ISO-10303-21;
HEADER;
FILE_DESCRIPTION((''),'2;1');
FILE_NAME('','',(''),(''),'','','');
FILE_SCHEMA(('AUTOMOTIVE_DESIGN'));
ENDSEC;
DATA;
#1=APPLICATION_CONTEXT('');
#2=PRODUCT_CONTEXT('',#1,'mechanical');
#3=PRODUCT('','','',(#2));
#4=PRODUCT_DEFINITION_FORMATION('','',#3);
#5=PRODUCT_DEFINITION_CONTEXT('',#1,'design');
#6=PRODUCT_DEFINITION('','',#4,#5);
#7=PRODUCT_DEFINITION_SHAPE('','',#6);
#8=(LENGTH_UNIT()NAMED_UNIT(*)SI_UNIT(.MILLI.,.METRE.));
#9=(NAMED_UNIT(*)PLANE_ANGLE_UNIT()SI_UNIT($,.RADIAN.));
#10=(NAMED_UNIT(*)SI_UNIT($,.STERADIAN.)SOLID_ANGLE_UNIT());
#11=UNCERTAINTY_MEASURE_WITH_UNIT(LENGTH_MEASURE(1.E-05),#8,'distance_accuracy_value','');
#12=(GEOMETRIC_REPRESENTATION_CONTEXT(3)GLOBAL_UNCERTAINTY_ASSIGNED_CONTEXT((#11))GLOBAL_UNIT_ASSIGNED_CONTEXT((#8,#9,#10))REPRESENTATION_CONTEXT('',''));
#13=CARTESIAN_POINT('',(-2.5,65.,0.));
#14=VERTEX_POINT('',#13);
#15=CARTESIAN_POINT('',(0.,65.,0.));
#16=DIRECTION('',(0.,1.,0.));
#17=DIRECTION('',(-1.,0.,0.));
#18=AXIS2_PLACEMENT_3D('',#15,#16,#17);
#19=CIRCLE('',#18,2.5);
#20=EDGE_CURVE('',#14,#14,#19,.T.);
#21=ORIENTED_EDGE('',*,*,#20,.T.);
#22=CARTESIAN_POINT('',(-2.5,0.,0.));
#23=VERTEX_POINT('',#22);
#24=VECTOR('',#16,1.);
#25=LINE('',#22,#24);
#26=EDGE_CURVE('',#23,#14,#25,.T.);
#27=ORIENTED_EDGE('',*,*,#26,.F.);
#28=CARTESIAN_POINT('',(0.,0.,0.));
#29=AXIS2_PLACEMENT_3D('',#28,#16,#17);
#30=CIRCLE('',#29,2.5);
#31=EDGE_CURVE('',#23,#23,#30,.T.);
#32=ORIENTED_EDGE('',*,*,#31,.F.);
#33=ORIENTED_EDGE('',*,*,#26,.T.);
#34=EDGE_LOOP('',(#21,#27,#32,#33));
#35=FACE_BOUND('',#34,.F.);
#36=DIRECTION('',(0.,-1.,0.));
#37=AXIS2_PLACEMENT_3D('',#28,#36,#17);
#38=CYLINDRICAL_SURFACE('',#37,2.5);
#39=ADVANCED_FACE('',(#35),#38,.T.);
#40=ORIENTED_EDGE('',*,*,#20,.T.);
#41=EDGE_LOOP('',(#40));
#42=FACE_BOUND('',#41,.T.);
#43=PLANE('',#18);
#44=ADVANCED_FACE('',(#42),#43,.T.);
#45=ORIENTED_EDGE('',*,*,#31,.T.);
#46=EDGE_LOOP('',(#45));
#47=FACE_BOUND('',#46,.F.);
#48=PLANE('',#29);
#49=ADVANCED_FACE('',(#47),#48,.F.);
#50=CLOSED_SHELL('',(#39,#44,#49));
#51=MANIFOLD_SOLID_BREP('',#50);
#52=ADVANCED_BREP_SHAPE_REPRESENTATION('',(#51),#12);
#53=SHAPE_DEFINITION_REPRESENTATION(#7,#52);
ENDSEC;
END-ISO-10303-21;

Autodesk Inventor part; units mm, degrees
ref_plane "YZ Plane" through (0, 0, 0) normal (1, 0, 0) x (0, 1, 0)
ref_plane "XZ Plane" through (0, 0, 0) normal (0, 1, 0) x (-1, 0, 0)
ref_plane "XY Plane" through (0, 0, 0) normal (0, 0, 1) x (1, 0, 0)
sketch "Sketch1" plane through (0, 0, 0) normal (0, 1, 0) x (-1, 0, 0)
  circle A0 centre (0, 0) radius 2.5
  dimension "d0" = 5
extrude "Extrusion1" add sketch "Sketch1" along normal blind 65
equation "\"d0\" = diametru"
equation "\"d1\" = lungime"
equation "\"diametru\" = 5"
equation "\"lungime\" = 65"
properties part number "tija" material "Steel, Alloy"
